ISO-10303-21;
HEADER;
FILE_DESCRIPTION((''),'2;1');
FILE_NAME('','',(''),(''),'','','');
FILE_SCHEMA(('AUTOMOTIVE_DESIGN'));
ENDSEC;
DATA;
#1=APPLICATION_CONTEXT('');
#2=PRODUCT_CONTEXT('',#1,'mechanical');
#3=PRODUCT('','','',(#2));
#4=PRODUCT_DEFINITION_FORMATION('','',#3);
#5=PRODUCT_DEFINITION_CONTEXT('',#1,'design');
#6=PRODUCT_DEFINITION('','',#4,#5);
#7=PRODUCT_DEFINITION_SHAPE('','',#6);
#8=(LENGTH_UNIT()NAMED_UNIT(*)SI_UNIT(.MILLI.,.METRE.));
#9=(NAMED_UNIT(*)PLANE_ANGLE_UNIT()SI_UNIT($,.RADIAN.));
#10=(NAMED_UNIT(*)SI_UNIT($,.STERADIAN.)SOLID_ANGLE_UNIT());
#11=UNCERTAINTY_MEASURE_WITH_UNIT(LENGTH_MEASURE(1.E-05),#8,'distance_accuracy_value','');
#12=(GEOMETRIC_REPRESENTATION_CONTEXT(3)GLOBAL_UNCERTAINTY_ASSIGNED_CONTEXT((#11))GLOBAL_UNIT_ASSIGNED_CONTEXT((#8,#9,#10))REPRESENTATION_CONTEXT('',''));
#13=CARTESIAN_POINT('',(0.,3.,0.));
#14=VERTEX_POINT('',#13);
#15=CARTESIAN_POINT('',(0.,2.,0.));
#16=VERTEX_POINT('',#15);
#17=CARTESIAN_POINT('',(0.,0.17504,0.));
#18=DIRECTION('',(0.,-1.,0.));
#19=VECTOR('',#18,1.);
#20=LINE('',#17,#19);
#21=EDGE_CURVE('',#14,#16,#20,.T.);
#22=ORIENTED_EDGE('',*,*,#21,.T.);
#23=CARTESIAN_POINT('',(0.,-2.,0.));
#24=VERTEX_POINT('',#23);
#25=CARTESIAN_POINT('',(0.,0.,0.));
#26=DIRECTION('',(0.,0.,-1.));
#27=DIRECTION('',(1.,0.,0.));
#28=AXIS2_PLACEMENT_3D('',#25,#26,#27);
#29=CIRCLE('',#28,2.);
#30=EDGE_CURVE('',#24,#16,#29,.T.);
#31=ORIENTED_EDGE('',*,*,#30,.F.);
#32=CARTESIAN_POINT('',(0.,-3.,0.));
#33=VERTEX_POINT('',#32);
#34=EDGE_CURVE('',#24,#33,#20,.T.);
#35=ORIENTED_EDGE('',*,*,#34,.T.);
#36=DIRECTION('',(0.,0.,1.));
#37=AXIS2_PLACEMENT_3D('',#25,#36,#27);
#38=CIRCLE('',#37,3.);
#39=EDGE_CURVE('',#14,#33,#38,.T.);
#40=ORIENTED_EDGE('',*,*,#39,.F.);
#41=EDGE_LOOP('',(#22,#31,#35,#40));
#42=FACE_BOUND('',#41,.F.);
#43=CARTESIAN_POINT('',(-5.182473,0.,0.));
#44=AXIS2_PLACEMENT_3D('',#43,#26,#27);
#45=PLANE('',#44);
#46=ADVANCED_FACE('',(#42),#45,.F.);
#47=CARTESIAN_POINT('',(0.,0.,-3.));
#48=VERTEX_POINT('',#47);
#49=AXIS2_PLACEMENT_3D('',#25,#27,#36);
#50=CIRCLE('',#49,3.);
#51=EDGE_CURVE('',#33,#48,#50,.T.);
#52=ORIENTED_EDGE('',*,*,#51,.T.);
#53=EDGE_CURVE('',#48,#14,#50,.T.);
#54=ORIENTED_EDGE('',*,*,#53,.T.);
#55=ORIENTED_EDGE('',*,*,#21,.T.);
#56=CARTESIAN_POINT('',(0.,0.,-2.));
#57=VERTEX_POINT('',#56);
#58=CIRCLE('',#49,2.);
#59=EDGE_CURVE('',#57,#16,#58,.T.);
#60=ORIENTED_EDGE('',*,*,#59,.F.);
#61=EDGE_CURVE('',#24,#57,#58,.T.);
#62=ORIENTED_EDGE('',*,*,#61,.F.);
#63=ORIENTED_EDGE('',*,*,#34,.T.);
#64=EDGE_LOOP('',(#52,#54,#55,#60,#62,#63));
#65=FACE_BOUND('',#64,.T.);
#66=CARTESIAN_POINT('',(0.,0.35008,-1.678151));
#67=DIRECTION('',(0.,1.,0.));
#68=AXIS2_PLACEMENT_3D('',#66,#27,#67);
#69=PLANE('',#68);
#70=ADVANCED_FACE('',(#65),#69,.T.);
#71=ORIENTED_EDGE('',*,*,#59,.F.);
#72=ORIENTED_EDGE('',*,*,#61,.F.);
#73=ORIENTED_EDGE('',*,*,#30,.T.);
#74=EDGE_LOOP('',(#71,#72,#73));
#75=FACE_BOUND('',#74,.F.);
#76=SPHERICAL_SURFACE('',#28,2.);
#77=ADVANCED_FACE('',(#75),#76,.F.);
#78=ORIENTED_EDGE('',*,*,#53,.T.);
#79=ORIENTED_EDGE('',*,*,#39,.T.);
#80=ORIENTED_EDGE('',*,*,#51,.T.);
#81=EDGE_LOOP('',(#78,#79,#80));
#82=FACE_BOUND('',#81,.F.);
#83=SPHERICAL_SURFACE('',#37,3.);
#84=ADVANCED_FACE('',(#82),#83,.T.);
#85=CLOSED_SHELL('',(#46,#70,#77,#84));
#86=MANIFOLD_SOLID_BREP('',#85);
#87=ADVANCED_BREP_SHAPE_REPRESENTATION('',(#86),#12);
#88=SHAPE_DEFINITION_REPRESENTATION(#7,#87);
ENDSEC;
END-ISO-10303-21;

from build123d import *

# Parameters (mm, degrees)
F2_W     = 11.701234
F2_H     = 3.628718
F3_DEPTH = 12.5
F4_W     = 13.054848
F4_H     = 7.580234
F5_DEPTH = 25


with BuildPart() as f1:
    # F0 (on Front) → F1 (revolve)
    with BuildSketch(Plane.XZ):
        with BuildLine():
            Line((0, -2), (0, -3))
            ThreePointArc((0, -3), (3, 0), (0, 3))
            Line((0, 3), (0, 2))
            ThreePointArc((0, 2), (2, 0), (0, -2))
        make_face()
    revolve(axis=Axis((0, 0, 0), (0, 0, -1)))

    # F2 (on Front) → F3 (cut, symmetric)
    with BuildSketch(Plane.XZ):
        with Locations((0.668144, 1.814359)):
            Rectangle(F2_W, F2_H)
    extrude(amount=F3_DEPTH, both=True, mode=Mode.SUBTRACT)

    # F4 (on Right) → F5 (cut)
    with BuildSketch(Plane.YZ):
        with Locations((0.35008, -1.678151)):
            Rectangle(F4_W, F4_H)
    extrude(amount=F5_DEPTH, mode=Mode.SUBTRACT)


solid = f1.part
